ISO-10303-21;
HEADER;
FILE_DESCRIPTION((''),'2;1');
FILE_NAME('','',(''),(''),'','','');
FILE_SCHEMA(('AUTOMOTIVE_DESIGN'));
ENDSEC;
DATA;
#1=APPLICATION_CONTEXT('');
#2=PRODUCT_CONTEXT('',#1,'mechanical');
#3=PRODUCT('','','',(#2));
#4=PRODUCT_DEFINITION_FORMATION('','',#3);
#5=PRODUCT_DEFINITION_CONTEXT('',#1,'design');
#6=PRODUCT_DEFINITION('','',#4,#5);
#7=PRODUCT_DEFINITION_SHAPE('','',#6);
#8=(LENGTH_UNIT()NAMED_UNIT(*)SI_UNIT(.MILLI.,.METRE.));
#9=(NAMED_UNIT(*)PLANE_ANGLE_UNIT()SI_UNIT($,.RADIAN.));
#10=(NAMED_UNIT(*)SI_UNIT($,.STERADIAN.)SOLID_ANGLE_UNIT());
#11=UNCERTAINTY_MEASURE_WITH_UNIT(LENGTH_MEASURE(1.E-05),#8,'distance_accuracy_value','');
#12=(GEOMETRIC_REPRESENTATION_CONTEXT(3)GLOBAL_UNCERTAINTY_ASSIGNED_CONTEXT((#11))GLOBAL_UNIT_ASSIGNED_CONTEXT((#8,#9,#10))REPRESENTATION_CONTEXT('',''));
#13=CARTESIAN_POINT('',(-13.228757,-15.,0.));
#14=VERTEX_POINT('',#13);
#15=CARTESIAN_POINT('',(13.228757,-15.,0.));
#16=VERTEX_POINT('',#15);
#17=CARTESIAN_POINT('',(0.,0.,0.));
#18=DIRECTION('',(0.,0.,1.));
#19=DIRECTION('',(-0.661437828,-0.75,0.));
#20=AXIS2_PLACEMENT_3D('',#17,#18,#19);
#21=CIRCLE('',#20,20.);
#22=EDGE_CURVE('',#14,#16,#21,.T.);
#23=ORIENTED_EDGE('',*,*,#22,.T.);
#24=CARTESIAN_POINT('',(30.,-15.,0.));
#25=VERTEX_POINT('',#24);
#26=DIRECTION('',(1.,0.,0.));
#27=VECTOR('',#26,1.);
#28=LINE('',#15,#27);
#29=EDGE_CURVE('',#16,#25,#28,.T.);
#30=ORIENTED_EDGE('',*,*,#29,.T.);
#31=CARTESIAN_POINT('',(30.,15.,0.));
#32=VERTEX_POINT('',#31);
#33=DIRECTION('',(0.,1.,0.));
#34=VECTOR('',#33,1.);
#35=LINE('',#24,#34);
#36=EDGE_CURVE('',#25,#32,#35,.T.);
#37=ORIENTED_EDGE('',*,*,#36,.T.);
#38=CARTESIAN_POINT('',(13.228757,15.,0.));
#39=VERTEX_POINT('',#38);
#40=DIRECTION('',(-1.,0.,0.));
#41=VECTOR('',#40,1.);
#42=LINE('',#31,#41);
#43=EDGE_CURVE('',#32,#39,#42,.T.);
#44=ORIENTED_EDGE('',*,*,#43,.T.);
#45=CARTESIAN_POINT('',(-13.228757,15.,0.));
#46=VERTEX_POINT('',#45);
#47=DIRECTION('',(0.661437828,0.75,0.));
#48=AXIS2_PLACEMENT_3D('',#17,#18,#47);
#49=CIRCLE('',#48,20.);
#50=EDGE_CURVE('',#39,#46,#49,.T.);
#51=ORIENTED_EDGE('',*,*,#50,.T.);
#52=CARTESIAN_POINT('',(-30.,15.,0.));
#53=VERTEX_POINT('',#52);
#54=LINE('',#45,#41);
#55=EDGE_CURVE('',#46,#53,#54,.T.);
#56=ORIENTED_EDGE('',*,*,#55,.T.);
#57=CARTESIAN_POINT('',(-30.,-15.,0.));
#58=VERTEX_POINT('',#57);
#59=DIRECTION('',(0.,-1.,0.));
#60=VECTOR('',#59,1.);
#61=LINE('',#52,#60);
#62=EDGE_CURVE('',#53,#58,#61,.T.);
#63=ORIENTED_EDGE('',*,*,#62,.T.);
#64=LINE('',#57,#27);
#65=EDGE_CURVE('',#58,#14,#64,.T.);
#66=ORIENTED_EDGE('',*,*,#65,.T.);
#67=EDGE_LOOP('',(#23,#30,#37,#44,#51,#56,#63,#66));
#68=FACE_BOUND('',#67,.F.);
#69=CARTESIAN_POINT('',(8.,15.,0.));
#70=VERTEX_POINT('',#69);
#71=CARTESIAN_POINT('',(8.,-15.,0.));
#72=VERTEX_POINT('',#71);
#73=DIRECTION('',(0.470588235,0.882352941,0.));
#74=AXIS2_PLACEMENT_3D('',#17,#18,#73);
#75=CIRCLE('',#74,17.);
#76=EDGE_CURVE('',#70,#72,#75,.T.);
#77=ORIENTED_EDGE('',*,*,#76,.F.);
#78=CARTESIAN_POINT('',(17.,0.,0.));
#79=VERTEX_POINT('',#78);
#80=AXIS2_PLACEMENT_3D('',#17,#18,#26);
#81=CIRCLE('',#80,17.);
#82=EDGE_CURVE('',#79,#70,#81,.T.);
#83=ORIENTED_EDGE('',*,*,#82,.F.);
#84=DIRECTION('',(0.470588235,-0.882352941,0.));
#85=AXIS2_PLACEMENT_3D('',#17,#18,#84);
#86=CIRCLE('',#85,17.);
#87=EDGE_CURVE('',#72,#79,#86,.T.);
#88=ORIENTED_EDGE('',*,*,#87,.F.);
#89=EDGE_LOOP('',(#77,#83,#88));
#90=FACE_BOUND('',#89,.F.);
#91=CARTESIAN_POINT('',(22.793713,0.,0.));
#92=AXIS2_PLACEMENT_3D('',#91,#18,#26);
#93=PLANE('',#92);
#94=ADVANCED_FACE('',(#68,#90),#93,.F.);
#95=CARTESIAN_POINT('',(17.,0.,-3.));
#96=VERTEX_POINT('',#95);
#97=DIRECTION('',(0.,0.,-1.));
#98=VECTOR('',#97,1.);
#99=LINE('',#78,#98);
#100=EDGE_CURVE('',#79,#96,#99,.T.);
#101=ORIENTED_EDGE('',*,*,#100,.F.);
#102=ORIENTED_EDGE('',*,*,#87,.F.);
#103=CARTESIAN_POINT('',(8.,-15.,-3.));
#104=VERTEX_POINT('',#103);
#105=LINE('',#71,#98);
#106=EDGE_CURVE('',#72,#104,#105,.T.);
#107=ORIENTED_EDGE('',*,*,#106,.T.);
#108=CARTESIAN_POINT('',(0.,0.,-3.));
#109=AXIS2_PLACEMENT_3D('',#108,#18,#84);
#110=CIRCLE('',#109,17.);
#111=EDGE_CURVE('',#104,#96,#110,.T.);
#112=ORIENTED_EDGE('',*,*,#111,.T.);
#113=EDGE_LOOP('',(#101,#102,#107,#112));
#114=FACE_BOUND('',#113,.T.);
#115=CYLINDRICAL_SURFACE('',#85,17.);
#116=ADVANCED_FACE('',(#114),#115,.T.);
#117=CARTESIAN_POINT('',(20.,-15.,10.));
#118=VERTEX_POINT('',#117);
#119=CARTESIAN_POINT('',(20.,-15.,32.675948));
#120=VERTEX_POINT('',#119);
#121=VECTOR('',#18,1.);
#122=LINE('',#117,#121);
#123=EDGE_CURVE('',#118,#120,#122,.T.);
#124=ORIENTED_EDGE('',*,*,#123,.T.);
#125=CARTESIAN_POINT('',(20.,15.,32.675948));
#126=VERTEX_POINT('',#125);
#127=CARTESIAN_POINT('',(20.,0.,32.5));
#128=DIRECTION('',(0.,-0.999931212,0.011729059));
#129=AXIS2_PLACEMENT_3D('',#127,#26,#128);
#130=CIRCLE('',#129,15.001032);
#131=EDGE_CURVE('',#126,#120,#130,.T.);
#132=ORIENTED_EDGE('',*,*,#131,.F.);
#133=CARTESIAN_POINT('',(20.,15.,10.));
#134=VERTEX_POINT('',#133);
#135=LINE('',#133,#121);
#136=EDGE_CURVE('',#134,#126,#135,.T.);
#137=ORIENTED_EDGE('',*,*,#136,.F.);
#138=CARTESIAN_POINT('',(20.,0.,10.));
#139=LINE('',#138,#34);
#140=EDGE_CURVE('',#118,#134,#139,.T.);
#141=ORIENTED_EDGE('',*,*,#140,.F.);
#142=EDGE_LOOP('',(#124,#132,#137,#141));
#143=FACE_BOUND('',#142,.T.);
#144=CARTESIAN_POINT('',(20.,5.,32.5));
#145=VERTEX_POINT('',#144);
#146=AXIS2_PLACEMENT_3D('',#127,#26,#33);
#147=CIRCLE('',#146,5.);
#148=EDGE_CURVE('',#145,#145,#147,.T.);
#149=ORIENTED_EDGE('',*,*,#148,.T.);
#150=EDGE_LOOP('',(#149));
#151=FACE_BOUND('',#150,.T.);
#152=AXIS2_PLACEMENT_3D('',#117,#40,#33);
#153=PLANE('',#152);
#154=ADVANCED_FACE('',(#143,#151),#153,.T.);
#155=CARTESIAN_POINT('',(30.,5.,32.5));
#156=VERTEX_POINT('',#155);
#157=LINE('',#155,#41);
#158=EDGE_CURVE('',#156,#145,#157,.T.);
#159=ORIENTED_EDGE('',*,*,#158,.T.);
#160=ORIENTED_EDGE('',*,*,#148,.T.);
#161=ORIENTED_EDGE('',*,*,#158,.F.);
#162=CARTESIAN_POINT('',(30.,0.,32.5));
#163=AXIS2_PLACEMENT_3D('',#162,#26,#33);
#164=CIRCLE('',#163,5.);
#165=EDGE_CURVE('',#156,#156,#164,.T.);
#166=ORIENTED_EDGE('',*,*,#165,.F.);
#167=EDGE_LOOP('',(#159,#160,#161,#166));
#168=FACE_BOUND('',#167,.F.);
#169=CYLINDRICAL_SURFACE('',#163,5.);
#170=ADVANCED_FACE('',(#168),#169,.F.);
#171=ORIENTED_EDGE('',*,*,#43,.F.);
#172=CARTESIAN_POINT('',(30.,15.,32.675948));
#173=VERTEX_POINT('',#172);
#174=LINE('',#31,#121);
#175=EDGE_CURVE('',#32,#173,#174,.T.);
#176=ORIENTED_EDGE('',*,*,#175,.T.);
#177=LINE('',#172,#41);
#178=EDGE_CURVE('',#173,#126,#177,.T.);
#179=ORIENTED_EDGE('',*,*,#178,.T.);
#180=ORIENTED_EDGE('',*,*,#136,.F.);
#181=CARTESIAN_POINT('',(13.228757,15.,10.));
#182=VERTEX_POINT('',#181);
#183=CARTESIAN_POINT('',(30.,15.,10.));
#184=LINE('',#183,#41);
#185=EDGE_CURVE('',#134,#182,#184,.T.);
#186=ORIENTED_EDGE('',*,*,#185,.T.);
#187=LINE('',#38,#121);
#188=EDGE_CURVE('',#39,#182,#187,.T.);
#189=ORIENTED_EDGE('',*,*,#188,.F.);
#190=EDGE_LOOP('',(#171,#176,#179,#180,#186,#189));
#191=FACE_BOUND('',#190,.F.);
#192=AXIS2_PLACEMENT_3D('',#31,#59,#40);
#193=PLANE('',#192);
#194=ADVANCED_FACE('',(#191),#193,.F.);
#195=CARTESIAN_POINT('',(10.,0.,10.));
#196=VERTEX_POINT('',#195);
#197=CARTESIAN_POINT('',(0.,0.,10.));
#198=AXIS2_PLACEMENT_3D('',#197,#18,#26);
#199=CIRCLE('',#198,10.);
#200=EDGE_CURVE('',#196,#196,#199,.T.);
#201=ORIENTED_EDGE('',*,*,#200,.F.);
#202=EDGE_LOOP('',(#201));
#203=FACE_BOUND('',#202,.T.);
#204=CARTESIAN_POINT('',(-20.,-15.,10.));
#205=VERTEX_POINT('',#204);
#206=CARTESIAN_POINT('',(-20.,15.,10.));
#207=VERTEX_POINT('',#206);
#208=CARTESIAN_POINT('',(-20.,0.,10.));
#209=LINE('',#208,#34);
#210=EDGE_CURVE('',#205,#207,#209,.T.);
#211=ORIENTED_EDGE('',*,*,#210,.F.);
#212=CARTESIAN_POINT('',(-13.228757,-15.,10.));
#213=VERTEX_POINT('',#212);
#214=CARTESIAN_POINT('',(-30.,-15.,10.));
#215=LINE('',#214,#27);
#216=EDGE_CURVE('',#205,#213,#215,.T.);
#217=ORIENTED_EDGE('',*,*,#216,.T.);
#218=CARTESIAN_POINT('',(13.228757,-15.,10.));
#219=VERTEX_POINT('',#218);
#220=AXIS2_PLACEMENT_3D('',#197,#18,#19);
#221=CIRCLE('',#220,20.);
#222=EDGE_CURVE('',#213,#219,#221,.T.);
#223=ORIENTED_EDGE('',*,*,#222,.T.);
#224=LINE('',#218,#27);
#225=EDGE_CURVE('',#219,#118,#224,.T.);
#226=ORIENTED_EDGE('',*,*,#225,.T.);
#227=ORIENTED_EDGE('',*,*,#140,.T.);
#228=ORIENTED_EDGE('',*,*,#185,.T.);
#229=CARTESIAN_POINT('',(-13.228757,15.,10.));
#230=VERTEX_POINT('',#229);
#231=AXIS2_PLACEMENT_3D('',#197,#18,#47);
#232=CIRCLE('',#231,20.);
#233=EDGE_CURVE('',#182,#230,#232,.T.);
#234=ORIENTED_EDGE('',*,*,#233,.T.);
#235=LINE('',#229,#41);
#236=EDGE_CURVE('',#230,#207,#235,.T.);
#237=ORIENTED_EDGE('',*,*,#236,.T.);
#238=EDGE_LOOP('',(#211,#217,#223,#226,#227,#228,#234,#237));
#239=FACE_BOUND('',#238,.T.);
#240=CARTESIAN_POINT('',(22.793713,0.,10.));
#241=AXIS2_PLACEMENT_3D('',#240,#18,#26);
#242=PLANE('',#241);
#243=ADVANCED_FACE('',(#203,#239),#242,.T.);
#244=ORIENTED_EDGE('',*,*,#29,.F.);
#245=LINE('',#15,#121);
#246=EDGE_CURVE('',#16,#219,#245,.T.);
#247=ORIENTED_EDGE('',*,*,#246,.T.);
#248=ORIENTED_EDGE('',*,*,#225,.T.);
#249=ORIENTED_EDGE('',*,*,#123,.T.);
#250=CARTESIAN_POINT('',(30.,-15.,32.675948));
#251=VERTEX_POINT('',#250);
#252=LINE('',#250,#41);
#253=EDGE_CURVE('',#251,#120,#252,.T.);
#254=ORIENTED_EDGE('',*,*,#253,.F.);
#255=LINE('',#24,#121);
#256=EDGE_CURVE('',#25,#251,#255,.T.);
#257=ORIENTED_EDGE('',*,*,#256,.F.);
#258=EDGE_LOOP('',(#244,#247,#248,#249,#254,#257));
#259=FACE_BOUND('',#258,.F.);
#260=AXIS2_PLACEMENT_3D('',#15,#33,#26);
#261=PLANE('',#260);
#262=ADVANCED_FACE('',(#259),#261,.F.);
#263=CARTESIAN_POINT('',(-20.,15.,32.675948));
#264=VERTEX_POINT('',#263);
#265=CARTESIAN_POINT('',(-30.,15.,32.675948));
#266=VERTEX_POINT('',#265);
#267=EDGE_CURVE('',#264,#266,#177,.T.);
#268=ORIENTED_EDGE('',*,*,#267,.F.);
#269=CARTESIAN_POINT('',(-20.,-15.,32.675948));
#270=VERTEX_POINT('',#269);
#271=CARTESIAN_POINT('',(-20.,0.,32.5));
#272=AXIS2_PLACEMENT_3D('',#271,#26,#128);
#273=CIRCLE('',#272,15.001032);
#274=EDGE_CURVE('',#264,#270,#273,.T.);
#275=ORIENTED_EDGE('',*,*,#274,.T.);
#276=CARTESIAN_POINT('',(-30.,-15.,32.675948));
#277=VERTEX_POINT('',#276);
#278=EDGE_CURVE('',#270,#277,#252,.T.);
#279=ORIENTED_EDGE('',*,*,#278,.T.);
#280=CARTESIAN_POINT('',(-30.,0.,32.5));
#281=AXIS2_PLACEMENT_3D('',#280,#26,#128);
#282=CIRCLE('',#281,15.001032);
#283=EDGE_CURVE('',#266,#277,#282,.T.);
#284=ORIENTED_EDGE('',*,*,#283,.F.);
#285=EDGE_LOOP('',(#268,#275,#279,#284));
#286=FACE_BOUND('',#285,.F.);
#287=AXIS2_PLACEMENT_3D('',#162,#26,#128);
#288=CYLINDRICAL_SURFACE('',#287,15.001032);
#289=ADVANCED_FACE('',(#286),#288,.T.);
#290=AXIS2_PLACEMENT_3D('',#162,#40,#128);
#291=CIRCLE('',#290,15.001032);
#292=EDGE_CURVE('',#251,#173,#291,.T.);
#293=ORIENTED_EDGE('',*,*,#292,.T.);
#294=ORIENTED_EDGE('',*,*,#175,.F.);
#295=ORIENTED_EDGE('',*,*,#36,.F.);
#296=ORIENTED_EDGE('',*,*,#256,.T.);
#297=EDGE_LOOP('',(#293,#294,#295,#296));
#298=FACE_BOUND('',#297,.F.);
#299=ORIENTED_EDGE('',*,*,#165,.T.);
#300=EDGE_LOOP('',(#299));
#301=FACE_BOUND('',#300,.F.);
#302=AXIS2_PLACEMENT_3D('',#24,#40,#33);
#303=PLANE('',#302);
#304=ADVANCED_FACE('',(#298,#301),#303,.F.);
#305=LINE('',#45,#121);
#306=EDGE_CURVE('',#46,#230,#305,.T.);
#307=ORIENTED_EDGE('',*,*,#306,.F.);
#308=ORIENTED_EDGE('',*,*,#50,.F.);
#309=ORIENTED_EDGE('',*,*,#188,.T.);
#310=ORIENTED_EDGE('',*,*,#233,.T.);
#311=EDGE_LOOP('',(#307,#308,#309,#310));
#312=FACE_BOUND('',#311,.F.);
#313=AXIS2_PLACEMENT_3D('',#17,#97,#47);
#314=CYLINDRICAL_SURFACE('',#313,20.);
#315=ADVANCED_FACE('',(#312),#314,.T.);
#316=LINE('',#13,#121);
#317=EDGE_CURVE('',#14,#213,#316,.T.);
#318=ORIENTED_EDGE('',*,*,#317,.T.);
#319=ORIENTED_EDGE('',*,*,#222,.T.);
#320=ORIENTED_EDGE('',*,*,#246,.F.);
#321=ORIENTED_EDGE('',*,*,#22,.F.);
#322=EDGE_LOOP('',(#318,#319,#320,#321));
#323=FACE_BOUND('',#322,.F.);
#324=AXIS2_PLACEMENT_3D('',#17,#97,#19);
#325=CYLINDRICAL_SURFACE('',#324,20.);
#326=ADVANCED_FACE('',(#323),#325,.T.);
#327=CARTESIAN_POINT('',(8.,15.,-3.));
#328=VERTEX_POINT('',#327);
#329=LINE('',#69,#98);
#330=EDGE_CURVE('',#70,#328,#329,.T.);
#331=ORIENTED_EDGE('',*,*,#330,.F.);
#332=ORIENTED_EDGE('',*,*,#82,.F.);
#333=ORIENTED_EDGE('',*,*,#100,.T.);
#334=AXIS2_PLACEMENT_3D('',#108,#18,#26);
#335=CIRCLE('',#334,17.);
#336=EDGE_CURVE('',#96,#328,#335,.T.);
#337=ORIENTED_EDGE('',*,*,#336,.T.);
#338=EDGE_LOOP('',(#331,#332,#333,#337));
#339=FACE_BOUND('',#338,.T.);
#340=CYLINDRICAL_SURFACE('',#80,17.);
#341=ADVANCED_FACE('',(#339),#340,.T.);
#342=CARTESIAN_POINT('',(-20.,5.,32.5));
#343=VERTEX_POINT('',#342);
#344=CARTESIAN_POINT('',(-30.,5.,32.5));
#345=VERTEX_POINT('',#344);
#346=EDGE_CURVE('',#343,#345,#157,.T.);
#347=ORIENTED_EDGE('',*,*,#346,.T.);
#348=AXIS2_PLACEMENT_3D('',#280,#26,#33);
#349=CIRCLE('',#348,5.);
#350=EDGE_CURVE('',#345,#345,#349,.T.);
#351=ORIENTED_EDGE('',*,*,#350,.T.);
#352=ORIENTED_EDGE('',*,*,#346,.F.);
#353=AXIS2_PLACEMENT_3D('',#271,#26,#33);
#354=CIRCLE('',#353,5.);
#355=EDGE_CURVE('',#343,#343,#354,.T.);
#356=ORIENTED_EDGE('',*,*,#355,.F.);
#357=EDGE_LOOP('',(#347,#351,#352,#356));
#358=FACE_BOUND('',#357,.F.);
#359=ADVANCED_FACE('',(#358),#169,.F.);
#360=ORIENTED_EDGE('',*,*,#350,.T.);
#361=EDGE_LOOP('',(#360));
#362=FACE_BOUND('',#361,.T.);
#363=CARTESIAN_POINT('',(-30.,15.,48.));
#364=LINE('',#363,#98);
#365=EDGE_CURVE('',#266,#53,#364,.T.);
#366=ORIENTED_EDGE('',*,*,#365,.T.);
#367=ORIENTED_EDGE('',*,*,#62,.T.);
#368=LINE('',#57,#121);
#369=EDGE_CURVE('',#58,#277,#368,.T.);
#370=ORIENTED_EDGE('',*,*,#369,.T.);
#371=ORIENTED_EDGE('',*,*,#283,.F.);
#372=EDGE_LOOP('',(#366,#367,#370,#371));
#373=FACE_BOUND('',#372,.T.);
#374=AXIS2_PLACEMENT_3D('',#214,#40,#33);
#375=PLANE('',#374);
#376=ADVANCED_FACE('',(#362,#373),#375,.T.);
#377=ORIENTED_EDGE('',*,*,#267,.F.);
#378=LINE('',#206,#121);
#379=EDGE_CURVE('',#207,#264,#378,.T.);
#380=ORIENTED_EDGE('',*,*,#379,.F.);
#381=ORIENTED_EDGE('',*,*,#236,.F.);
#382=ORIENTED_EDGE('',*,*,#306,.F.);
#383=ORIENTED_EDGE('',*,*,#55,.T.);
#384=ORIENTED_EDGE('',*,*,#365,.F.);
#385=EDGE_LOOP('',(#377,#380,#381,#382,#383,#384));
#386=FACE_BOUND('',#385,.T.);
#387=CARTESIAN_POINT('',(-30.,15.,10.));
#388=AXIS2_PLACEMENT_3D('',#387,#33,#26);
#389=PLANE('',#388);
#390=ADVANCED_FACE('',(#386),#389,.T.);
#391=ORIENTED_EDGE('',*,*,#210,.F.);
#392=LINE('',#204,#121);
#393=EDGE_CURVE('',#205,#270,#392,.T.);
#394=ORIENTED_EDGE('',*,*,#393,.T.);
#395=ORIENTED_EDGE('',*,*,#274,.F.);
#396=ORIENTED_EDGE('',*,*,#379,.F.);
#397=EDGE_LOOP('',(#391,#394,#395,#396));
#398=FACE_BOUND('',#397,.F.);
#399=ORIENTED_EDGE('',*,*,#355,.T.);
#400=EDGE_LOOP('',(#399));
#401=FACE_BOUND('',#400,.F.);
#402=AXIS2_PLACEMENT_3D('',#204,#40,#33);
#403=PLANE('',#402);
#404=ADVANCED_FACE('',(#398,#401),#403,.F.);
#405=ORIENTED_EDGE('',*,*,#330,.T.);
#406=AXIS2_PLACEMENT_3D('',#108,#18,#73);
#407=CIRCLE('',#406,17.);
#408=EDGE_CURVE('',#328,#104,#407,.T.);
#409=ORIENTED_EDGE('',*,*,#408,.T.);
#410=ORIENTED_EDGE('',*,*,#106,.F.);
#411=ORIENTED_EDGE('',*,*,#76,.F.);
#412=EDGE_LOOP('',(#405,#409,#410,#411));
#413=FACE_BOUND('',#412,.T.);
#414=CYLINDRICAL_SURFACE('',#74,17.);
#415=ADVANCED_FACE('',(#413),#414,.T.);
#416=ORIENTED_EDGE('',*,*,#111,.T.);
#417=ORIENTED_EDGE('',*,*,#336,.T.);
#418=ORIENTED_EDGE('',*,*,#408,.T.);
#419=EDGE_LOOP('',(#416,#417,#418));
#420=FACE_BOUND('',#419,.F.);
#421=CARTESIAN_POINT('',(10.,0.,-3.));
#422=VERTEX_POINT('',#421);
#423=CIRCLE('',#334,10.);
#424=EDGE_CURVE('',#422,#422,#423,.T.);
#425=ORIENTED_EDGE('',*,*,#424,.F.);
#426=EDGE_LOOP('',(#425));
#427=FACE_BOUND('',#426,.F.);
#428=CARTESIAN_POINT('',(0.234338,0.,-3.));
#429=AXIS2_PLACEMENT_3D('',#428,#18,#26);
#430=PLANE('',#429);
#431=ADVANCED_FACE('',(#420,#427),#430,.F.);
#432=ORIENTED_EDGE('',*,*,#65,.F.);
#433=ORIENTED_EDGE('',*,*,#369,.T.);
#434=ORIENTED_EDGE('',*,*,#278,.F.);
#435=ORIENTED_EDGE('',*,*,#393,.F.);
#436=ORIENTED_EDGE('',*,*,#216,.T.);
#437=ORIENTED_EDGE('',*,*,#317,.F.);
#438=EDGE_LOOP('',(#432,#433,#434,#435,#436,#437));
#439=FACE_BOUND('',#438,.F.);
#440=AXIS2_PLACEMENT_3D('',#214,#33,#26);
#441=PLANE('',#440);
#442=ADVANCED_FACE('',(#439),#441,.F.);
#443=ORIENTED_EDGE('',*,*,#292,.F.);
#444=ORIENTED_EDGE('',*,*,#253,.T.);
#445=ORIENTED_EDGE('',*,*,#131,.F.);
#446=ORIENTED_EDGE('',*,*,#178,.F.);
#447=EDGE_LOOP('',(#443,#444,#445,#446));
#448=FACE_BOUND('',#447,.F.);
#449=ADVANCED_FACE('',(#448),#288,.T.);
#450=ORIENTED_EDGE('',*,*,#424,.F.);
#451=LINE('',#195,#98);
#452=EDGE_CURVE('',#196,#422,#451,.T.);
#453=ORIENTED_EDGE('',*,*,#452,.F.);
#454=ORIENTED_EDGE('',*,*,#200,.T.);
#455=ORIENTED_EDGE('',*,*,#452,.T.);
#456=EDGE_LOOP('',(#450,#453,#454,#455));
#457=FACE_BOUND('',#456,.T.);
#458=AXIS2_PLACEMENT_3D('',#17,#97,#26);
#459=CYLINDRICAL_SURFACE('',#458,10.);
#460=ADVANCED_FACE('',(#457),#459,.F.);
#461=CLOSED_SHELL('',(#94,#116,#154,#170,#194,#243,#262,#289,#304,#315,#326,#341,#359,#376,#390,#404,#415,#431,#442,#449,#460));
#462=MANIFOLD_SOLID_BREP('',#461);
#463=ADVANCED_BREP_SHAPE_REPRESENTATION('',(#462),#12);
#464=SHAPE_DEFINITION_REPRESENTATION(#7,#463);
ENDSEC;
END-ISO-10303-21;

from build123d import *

# Parameters (mm, degrees)
F0_R     = 10
F1_DEPTH = 10
F2_DEPTH = 3
F3_W     = 10
F3_H     = 30
F4_DEPTH = 38
F5_R     = 5
F6_DEPTH = 75
F8_DEPTH = 75


with BuildPart() as f1:
    # F0 (on Top) → F1 (new body)
    with BuildSketch(Plane.XY):
        with BuildLine():
            ThreePointArc((13.2287565553, 15), (18.2287565553, 8.2287565553), (20, 0))
            ThreePointArc((20, 0), (18.2287565553, -8.2287565553), (13.2287565553, -15))
            Line((13.2287565553, -15), (30, -15))
            Line((30, -15), (30, 15))
            Line((30, 15), (13.2287565553, 15))
        make_face()
        with BuildLine():
            ThreePointArc((-13.2287565553, -15), (-20, 0), (-13.2287565553, 15))
            Line((-13.2287565553, 15), (-30, 15))
            Line((-30, 15), (-30, -15))
            Line((-30, -15), (-13.2287565553, -15))
        make_face()
        with BuildLine():
            Line((8, 15), (13.2287565553, 15))
            ThreePointArc((13.2287565553, 15), (0, 20), (-13.2287565553, 15))
            Line((-13.2287565553, 15), (-8, 15))
            ThreePointArc((-8, 15), (0, 17), (8, 15))
        make_face()
        with BuildLine():
            ThreePointArc((-13.2287565553, -15), (0, -20), (13.2287565553, -15))
            Line((13.2287565553, -15), (8, -15))
            ThreePointArc((8, -15), (0, -17), (-8, -15))
            Line((-8, -15), (-13.2287565553, -15))
        make_face()
        with BuildLine():
            ThreePointArc((13.2287565553, -15), (18.2287565553, -8.2287565553), (20, 0))
            ThreePointArc((20, 0), (18.2287565553, 8.2287565553), (13.2287565553, 15))
            Line((13.2287565553, 15), (8, 15))
            ThreePointArc((8, 15), (14.5773797371, 8.7464278423), (17, 0))
            ThreePointArc((17, 0), (14.5773797371, -8.7464278423), (8, -15))
            Line((8, -15), (13.2287565553, -15))
        make_face()
        with BuildLine():
            Line((-8, 15), (-13.2287565553, 15))
            ThreePointArc((-13.2287565553, 15), (-20, 0), (-13.2287565553, -15))
            Line((-13.2287565553, -15), (-8, -15))
            ThreePointArc((-8, -15), (-17, 0), (-8, 15))
        make_face()
        with BuildLine():
            ThreePointArc((17, 0), (14.5773797371, 8.7464278423), (8, 15))
            Line((8, 15), (-8, 15))
            ThreePointArc((-8, 15), (-17, 0), (-8, -15))
            Line((-8, -15), (8, -15))
            ThreePointArc((8, -15), (14.5773797371, -8.7464278423), (17, 0))
        make_face()
        Circle(F0_R, mode=Mode.SUBTRACT)
        with BuildLine():
            Line((-8, 15), (8, 15))
            ThreePointArc((8, 15), (0, 17), (-8, 15))
        make_face()
        with BuildLine():
            ThreePointArc((-8, -15), (0, -17), (8, -15))
            Line((8, -15), (-8, -15))
        make_face()
    extrude(amount=F1_DEPTH)

    # F0 (on Top) → F2 (join)
    with BuildSketch(Plane.XY):
        with BuildLine():
            ThreePointArc((17, 0), (14.5773797371, 8.7464278423), (8, 15))
            Line((8, 15), (-8, 15))
            ThreePointArc((-8, 15), (-17, 0), (-8, -15))
            Line((-8, -15), (8, -15))
            ThreePointArc((8, -15), (14.5773797371, -8.7464278423), (17, 0))
        make_face()
        Circle(F0_R, mode=Mode.SUBTRACT)
        with BuildLine():
            ThreePointArc((-8, -15), (0, -17), (8, -15))
            Line((8, -15), (-8, -15))
        make_face()
        with BuildLine():
            Line((-8, 15), (8, 15))
            ThreePointArc((8, 15), (0, 17), (-8, 15))
        make_face()
    extrude(amount=-F2_DEPTH)

    # F3 (on face) → F4 (join)
    with BuildSketch(Plane.XY.offset(10)):
        with Locations((-25, 0)):
            Rectangle(F3_W, F3_H)
        with Locations((25, 0)):
            Rectangle(F3_W, F3_H)
    extrude(amount=F4_DEPTH)

    # F5 (on face) → F6 (cut)
    with BuildSketch(Plane.YZ.offset(30)):
        with Locations((0, 32.5)):
            Circle(F5_R)
    extrude(amount=-F6_DEPTH, mode=Mode.SUBTRACT)

    # F7 (on face) → F8 (cut)
    with BuildSketch(Plane.YZ.offset(30)):
        with BuildLine():
            Line((-15, 48), (-15, 32.675947994))
            ThreePointArc((-15, 32.675947994), (0, 47.5010318877), (15, 32.675947994))
            Line((15, 32.675947994), (15, 48))
            Line((15, 48), (-15, 48))
        make_face()
    extrude(amount=-F8_DEPTH, mode=Mode.SUBTRACT)


solid = f1.part
